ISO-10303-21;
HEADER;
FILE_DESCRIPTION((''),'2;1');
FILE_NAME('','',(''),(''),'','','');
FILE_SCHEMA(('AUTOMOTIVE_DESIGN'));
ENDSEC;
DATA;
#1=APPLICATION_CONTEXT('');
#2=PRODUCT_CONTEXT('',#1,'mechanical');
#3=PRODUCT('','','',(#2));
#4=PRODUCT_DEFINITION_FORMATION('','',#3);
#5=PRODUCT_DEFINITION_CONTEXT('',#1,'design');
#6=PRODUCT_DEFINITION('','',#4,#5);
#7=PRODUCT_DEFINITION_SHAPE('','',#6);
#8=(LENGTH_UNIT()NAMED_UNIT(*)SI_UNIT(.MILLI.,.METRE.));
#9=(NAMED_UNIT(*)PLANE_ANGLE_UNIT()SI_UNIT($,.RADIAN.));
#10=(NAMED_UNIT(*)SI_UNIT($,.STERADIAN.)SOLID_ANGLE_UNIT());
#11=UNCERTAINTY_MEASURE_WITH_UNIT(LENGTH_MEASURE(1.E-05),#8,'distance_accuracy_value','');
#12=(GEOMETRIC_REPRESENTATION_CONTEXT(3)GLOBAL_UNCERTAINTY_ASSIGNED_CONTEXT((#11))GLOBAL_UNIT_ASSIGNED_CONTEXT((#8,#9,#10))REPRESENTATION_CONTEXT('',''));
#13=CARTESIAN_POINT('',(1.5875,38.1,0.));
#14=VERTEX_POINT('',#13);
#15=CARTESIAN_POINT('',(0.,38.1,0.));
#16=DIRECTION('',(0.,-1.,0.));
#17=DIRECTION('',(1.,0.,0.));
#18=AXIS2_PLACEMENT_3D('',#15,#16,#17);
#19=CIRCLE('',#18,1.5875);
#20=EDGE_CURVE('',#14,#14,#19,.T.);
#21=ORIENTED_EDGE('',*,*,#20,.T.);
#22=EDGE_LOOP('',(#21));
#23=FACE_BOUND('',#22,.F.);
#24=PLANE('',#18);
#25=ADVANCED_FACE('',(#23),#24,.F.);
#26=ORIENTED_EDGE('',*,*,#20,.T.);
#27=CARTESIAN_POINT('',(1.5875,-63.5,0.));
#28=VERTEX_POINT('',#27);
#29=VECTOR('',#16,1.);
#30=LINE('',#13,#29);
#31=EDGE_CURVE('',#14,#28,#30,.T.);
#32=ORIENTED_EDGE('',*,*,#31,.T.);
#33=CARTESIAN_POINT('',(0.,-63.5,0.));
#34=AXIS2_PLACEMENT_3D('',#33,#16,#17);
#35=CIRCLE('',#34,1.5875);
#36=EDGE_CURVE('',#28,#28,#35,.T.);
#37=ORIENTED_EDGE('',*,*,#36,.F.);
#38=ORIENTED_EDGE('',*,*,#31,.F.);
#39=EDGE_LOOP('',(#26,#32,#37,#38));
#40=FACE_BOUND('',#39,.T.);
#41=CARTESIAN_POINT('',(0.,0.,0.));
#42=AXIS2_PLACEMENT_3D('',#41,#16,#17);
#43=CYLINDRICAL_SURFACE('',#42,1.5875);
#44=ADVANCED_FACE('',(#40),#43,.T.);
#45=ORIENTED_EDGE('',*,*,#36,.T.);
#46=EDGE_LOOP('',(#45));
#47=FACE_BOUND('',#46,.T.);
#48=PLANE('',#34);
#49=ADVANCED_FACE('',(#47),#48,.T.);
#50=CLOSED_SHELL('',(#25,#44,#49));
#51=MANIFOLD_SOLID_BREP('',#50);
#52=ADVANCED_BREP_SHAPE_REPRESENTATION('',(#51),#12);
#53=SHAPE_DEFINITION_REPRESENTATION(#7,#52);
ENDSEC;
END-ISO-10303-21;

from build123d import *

# Parameters (mm, degrees)
F0_R     = 1.5875
F1_DEPTH = 63.5
F2_DEPTH = 38.1


with BuildPart() as f1:
    # F0 (on Front) → F1 (new body)
    with BuildSketch(Plane.XZ):
        Circle(F0_R)
    extrude(amount=F1_DEPTH)

    # F0 (on Front) → F2 (join)
    with BuildSketch(Plane.XZ):
        Circle(F0_R)
    extrude(amount=-F2_DEPTH)


solid = f1.part
